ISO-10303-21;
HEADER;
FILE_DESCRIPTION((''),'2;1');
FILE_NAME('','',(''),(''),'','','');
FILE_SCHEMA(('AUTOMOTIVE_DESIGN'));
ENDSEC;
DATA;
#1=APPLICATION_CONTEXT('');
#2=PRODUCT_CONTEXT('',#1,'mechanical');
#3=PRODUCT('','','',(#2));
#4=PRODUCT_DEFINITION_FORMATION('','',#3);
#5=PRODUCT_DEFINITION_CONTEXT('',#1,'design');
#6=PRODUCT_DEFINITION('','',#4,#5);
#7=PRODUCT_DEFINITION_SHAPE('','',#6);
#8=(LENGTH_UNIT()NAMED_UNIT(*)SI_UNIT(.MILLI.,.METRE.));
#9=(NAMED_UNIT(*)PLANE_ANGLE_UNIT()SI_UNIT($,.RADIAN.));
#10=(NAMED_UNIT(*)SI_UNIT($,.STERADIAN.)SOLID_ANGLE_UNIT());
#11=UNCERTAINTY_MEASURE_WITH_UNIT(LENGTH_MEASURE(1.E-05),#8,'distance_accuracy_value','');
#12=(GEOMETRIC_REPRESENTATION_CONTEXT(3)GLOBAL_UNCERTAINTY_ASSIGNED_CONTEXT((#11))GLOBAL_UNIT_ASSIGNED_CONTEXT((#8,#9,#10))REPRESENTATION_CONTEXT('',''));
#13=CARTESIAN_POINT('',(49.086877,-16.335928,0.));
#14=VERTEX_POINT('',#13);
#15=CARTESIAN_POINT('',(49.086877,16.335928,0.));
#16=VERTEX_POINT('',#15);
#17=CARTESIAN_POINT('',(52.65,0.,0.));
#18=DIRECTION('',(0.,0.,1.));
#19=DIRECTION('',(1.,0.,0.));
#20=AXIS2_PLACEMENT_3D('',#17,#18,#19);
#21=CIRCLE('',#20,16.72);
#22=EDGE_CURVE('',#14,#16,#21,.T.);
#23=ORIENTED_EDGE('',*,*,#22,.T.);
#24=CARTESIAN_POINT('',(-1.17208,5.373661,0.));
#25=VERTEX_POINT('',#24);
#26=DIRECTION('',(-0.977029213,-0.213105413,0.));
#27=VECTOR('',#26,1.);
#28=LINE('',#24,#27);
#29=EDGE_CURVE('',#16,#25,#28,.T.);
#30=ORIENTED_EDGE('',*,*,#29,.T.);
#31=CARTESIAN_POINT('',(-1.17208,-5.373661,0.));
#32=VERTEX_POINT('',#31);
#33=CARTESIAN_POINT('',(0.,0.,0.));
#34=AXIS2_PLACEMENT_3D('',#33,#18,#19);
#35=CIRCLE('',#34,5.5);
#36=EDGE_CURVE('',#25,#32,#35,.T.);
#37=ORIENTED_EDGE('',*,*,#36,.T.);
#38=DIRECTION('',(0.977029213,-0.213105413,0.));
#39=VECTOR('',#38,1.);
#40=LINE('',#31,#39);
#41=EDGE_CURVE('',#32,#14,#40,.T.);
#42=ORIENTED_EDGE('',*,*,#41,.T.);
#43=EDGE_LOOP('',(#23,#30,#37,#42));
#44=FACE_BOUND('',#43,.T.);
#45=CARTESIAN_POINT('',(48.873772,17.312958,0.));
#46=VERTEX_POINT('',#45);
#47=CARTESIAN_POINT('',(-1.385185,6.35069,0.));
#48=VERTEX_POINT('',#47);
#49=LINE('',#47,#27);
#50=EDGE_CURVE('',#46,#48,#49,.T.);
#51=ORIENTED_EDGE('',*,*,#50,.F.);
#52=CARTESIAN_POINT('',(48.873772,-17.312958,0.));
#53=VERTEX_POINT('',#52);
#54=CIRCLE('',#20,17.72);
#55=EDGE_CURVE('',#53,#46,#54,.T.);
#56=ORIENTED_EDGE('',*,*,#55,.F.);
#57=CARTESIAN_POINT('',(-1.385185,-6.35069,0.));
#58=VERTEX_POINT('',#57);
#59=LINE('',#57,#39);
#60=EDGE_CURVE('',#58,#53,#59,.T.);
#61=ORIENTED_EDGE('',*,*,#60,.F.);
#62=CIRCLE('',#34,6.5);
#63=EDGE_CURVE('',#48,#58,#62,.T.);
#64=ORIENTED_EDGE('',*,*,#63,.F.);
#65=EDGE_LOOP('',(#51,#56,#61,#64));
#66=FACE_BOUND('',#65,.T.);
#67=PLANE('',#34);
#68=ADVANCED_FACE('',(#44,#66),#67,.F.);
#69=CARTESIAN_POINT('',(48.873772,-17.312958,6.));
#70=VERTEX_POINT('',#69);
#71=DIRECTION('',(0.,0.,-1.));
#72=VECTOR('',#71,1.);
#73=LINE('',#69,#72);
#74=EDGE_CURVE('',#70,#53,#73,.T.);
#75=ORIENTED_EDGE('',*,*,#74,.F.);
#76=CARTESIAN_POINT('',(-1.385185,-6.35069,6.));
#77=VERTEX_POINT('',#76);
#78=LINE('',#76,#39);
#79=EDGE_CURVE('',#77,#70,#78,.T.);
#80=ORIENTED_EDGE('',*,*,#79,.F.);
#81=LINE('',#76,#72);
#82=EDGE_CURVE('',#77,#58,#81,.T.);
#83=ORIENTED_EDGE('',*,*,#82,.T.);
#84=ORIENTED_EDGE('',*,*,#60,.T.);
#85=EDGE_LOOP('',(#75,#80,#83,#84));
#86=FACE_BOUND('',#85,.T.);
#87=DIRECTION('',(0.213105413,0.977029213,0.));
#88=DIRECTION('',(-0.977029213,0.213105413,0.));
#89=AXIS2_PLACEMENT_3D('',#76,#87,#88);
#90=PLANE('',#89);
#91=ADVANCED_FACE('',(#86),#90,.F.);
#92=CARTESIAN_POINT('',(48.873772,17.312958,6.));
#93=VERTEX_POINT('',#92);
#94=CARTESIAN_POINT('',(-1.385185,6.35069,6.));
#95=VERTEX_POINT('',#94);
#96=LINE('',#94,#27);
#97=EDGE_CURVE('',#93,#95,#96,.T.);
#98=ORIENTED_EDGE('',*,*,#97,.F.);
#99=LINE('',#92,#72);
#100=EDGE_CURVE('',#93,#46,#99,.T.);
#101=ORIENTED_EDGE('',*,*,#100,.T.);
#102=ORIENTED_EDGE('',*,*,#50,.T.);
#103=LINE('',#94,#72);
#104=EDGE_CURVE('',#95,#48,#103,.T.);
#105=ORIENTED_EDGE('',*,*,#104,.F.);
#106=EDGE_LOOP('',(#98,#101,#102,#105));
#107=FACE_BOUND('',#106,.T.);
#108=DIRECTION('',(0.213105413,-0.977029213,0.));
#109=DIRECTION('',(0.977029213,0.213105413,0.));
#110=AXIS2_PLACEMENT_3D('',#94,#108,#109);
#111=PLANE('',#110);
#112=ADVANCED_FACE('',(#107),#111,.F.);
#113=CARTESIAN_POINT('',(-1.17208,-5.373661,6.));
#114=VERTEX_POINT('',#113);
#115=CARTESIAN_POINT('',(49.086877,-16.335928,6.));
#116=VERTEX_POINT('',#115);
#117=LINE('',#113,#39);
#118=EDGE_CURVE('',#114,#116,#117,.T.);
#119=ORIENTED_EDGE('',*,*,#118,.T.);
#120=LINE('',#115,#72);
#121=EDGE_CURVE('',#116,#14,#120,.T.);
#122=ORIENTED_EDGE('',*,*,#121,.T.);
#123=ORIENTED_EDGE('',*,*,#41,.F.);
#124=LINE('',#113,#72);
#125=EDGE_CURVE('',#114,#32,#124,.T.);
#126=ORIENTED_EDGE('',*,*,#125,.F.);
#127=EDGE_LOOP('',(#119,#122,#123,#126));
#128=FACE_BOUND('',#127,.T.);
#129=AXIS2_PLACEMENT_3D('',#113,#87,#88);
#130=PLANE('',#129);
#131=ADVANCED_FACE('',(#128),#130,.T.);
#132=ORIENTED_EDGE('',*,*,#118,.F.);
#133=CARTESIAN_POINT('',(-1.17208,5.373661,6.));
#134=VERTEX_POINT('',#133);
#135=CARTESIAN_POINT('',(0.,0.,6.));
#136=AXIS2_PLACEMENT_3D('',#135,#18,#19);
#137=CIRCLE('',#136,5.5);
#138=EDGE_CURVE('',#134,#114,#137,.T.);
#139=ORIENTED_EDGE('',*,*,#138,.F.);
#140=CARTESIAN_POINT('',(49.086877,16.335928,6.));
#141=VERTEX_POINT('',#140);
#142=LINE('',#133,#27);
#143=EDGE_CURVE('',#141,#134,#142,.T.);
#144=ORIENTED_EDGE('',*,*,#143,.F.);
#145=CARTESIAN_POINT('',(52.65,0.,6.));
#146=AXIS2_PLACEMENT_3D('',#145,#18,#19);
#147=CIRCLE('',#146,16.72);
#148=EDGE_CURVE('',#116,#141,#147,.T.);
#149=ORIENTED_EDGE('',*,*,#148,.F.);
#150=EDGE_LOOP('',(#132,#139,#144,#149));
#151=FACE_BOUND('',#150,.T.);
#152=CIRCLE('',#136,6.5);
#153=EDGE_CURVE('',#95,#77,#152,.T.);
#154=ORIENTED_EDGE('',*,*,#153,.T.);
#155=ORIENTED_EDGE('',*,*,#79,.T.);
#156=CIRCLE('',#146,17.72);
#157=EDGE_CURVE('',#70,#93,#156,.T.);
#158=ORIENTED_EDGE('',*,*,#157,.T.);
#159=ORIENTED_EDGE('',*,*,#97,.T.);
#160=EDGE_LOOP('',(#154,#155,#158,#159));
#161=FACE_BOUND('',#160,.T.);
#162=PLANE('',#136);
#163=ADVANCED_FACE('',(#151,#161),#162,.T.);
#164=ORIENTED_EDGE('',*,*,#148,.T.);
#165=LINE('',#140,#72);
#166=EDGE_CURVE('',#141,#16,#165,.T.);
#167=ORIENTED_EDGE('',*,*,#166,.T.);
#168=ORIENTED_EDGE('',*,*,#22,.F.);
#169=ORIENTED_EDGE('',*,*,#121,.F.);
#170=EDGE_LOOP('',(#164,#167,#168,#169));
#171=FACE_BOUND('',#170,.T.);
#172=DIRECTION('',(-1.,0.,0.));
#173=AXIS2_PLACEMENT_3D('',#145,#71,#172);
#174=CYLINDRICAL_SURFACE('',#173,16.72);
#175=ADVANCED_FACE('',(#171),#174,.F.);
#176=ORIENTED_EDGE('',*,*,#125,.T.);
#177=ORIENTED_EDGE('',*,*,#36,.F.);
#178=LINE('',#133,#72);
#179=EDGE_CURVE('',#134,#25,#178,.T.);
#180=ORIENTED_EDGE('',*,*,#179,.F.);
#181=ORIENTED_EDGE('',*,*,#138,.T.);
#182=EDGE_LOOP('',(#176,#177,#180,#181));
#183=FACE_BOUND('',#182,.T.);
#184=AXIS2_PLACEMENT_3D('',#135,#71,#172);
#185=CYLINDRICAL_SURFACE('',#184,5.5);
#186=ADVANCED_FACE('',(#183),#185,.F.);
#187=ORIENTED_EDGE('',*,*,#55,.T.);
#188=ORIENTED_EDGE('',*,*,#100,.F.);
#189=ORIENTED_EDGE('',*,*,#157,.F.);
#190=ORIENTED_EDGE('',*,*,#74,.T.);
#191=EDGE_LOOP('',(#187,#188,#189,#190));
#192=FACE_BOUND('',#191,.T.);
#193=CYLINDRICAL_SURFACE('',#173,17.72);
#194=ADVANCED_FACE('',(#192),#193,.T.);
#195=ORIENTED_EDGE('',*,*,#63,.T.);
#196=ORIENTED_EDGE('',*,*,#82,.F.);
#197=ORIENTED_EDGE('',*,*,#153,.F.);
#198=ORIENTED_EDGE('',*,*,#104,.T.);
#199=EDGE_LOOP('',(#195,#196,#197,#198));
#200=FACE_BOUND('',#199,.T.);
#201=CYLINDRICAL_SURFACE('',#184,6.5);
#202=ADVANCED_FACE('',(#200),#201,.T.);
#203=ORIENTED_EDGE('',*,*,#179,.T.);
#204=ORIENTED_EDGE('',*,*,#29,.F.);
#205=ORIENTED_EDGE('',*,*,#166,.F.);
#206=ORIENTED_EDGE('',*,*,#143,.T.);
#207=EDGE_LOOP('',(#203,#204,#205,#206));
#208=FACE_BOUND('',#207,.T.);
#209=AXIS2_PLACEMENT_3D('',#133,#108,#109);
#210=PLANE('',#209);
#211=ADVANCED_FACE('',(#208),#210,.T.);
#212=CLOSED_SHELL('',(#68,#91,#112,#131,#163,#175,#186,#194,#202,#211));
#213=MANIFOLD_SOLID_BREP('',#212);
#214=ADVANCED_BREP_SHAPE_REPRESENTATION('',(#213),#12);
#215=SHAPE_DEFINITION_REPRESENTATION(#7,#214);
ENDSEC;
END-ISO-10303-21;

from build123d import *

# Parameters (mm, degrees)
SALIENTE_EXTRUIR1_DEPTH = 6


with BuildPart() as part:
    # Croquis1 → Saliente-Extruir1 (new body)
    with BuildSketch(Plane.XY):
        with BuildLine():
            Line((-1.385185185, 6.350689884), (48.87377208, 17.312957653))
            ThreePointArc((48.87377208, 17.312957653), (70.37, 0), (48.87377208, -17.312957653))
            Line((48.87377208, -17.312957653), (-1.385185185, -6.350689884))
            ThreePointArc((-1.385185185, -6.350689884), (-6.5, 0), (-1.385185185, 6.350689884))
        make_face()
        with BuildLine():
            Line((-1.172079772, 5.373660671), (49.086877493, 16.33592844))
            ThreePointArc((49.086877493, 16.33592844), (69.37, 0), (49.086877493, -16.33592844))
            Line((49.086877493, -16.33592844), (-1.172079772, -5.373660671))
            ThreePointArc((-1.172079772, -5.373660671), (-5.5, 0), (-1.172079772, 5.373660671))
        make_face(mode=Mode.SUBTRACT)
    extrude(amount=SALIENTE_EXTRUIR1_DEPTH)


solid = part.part
